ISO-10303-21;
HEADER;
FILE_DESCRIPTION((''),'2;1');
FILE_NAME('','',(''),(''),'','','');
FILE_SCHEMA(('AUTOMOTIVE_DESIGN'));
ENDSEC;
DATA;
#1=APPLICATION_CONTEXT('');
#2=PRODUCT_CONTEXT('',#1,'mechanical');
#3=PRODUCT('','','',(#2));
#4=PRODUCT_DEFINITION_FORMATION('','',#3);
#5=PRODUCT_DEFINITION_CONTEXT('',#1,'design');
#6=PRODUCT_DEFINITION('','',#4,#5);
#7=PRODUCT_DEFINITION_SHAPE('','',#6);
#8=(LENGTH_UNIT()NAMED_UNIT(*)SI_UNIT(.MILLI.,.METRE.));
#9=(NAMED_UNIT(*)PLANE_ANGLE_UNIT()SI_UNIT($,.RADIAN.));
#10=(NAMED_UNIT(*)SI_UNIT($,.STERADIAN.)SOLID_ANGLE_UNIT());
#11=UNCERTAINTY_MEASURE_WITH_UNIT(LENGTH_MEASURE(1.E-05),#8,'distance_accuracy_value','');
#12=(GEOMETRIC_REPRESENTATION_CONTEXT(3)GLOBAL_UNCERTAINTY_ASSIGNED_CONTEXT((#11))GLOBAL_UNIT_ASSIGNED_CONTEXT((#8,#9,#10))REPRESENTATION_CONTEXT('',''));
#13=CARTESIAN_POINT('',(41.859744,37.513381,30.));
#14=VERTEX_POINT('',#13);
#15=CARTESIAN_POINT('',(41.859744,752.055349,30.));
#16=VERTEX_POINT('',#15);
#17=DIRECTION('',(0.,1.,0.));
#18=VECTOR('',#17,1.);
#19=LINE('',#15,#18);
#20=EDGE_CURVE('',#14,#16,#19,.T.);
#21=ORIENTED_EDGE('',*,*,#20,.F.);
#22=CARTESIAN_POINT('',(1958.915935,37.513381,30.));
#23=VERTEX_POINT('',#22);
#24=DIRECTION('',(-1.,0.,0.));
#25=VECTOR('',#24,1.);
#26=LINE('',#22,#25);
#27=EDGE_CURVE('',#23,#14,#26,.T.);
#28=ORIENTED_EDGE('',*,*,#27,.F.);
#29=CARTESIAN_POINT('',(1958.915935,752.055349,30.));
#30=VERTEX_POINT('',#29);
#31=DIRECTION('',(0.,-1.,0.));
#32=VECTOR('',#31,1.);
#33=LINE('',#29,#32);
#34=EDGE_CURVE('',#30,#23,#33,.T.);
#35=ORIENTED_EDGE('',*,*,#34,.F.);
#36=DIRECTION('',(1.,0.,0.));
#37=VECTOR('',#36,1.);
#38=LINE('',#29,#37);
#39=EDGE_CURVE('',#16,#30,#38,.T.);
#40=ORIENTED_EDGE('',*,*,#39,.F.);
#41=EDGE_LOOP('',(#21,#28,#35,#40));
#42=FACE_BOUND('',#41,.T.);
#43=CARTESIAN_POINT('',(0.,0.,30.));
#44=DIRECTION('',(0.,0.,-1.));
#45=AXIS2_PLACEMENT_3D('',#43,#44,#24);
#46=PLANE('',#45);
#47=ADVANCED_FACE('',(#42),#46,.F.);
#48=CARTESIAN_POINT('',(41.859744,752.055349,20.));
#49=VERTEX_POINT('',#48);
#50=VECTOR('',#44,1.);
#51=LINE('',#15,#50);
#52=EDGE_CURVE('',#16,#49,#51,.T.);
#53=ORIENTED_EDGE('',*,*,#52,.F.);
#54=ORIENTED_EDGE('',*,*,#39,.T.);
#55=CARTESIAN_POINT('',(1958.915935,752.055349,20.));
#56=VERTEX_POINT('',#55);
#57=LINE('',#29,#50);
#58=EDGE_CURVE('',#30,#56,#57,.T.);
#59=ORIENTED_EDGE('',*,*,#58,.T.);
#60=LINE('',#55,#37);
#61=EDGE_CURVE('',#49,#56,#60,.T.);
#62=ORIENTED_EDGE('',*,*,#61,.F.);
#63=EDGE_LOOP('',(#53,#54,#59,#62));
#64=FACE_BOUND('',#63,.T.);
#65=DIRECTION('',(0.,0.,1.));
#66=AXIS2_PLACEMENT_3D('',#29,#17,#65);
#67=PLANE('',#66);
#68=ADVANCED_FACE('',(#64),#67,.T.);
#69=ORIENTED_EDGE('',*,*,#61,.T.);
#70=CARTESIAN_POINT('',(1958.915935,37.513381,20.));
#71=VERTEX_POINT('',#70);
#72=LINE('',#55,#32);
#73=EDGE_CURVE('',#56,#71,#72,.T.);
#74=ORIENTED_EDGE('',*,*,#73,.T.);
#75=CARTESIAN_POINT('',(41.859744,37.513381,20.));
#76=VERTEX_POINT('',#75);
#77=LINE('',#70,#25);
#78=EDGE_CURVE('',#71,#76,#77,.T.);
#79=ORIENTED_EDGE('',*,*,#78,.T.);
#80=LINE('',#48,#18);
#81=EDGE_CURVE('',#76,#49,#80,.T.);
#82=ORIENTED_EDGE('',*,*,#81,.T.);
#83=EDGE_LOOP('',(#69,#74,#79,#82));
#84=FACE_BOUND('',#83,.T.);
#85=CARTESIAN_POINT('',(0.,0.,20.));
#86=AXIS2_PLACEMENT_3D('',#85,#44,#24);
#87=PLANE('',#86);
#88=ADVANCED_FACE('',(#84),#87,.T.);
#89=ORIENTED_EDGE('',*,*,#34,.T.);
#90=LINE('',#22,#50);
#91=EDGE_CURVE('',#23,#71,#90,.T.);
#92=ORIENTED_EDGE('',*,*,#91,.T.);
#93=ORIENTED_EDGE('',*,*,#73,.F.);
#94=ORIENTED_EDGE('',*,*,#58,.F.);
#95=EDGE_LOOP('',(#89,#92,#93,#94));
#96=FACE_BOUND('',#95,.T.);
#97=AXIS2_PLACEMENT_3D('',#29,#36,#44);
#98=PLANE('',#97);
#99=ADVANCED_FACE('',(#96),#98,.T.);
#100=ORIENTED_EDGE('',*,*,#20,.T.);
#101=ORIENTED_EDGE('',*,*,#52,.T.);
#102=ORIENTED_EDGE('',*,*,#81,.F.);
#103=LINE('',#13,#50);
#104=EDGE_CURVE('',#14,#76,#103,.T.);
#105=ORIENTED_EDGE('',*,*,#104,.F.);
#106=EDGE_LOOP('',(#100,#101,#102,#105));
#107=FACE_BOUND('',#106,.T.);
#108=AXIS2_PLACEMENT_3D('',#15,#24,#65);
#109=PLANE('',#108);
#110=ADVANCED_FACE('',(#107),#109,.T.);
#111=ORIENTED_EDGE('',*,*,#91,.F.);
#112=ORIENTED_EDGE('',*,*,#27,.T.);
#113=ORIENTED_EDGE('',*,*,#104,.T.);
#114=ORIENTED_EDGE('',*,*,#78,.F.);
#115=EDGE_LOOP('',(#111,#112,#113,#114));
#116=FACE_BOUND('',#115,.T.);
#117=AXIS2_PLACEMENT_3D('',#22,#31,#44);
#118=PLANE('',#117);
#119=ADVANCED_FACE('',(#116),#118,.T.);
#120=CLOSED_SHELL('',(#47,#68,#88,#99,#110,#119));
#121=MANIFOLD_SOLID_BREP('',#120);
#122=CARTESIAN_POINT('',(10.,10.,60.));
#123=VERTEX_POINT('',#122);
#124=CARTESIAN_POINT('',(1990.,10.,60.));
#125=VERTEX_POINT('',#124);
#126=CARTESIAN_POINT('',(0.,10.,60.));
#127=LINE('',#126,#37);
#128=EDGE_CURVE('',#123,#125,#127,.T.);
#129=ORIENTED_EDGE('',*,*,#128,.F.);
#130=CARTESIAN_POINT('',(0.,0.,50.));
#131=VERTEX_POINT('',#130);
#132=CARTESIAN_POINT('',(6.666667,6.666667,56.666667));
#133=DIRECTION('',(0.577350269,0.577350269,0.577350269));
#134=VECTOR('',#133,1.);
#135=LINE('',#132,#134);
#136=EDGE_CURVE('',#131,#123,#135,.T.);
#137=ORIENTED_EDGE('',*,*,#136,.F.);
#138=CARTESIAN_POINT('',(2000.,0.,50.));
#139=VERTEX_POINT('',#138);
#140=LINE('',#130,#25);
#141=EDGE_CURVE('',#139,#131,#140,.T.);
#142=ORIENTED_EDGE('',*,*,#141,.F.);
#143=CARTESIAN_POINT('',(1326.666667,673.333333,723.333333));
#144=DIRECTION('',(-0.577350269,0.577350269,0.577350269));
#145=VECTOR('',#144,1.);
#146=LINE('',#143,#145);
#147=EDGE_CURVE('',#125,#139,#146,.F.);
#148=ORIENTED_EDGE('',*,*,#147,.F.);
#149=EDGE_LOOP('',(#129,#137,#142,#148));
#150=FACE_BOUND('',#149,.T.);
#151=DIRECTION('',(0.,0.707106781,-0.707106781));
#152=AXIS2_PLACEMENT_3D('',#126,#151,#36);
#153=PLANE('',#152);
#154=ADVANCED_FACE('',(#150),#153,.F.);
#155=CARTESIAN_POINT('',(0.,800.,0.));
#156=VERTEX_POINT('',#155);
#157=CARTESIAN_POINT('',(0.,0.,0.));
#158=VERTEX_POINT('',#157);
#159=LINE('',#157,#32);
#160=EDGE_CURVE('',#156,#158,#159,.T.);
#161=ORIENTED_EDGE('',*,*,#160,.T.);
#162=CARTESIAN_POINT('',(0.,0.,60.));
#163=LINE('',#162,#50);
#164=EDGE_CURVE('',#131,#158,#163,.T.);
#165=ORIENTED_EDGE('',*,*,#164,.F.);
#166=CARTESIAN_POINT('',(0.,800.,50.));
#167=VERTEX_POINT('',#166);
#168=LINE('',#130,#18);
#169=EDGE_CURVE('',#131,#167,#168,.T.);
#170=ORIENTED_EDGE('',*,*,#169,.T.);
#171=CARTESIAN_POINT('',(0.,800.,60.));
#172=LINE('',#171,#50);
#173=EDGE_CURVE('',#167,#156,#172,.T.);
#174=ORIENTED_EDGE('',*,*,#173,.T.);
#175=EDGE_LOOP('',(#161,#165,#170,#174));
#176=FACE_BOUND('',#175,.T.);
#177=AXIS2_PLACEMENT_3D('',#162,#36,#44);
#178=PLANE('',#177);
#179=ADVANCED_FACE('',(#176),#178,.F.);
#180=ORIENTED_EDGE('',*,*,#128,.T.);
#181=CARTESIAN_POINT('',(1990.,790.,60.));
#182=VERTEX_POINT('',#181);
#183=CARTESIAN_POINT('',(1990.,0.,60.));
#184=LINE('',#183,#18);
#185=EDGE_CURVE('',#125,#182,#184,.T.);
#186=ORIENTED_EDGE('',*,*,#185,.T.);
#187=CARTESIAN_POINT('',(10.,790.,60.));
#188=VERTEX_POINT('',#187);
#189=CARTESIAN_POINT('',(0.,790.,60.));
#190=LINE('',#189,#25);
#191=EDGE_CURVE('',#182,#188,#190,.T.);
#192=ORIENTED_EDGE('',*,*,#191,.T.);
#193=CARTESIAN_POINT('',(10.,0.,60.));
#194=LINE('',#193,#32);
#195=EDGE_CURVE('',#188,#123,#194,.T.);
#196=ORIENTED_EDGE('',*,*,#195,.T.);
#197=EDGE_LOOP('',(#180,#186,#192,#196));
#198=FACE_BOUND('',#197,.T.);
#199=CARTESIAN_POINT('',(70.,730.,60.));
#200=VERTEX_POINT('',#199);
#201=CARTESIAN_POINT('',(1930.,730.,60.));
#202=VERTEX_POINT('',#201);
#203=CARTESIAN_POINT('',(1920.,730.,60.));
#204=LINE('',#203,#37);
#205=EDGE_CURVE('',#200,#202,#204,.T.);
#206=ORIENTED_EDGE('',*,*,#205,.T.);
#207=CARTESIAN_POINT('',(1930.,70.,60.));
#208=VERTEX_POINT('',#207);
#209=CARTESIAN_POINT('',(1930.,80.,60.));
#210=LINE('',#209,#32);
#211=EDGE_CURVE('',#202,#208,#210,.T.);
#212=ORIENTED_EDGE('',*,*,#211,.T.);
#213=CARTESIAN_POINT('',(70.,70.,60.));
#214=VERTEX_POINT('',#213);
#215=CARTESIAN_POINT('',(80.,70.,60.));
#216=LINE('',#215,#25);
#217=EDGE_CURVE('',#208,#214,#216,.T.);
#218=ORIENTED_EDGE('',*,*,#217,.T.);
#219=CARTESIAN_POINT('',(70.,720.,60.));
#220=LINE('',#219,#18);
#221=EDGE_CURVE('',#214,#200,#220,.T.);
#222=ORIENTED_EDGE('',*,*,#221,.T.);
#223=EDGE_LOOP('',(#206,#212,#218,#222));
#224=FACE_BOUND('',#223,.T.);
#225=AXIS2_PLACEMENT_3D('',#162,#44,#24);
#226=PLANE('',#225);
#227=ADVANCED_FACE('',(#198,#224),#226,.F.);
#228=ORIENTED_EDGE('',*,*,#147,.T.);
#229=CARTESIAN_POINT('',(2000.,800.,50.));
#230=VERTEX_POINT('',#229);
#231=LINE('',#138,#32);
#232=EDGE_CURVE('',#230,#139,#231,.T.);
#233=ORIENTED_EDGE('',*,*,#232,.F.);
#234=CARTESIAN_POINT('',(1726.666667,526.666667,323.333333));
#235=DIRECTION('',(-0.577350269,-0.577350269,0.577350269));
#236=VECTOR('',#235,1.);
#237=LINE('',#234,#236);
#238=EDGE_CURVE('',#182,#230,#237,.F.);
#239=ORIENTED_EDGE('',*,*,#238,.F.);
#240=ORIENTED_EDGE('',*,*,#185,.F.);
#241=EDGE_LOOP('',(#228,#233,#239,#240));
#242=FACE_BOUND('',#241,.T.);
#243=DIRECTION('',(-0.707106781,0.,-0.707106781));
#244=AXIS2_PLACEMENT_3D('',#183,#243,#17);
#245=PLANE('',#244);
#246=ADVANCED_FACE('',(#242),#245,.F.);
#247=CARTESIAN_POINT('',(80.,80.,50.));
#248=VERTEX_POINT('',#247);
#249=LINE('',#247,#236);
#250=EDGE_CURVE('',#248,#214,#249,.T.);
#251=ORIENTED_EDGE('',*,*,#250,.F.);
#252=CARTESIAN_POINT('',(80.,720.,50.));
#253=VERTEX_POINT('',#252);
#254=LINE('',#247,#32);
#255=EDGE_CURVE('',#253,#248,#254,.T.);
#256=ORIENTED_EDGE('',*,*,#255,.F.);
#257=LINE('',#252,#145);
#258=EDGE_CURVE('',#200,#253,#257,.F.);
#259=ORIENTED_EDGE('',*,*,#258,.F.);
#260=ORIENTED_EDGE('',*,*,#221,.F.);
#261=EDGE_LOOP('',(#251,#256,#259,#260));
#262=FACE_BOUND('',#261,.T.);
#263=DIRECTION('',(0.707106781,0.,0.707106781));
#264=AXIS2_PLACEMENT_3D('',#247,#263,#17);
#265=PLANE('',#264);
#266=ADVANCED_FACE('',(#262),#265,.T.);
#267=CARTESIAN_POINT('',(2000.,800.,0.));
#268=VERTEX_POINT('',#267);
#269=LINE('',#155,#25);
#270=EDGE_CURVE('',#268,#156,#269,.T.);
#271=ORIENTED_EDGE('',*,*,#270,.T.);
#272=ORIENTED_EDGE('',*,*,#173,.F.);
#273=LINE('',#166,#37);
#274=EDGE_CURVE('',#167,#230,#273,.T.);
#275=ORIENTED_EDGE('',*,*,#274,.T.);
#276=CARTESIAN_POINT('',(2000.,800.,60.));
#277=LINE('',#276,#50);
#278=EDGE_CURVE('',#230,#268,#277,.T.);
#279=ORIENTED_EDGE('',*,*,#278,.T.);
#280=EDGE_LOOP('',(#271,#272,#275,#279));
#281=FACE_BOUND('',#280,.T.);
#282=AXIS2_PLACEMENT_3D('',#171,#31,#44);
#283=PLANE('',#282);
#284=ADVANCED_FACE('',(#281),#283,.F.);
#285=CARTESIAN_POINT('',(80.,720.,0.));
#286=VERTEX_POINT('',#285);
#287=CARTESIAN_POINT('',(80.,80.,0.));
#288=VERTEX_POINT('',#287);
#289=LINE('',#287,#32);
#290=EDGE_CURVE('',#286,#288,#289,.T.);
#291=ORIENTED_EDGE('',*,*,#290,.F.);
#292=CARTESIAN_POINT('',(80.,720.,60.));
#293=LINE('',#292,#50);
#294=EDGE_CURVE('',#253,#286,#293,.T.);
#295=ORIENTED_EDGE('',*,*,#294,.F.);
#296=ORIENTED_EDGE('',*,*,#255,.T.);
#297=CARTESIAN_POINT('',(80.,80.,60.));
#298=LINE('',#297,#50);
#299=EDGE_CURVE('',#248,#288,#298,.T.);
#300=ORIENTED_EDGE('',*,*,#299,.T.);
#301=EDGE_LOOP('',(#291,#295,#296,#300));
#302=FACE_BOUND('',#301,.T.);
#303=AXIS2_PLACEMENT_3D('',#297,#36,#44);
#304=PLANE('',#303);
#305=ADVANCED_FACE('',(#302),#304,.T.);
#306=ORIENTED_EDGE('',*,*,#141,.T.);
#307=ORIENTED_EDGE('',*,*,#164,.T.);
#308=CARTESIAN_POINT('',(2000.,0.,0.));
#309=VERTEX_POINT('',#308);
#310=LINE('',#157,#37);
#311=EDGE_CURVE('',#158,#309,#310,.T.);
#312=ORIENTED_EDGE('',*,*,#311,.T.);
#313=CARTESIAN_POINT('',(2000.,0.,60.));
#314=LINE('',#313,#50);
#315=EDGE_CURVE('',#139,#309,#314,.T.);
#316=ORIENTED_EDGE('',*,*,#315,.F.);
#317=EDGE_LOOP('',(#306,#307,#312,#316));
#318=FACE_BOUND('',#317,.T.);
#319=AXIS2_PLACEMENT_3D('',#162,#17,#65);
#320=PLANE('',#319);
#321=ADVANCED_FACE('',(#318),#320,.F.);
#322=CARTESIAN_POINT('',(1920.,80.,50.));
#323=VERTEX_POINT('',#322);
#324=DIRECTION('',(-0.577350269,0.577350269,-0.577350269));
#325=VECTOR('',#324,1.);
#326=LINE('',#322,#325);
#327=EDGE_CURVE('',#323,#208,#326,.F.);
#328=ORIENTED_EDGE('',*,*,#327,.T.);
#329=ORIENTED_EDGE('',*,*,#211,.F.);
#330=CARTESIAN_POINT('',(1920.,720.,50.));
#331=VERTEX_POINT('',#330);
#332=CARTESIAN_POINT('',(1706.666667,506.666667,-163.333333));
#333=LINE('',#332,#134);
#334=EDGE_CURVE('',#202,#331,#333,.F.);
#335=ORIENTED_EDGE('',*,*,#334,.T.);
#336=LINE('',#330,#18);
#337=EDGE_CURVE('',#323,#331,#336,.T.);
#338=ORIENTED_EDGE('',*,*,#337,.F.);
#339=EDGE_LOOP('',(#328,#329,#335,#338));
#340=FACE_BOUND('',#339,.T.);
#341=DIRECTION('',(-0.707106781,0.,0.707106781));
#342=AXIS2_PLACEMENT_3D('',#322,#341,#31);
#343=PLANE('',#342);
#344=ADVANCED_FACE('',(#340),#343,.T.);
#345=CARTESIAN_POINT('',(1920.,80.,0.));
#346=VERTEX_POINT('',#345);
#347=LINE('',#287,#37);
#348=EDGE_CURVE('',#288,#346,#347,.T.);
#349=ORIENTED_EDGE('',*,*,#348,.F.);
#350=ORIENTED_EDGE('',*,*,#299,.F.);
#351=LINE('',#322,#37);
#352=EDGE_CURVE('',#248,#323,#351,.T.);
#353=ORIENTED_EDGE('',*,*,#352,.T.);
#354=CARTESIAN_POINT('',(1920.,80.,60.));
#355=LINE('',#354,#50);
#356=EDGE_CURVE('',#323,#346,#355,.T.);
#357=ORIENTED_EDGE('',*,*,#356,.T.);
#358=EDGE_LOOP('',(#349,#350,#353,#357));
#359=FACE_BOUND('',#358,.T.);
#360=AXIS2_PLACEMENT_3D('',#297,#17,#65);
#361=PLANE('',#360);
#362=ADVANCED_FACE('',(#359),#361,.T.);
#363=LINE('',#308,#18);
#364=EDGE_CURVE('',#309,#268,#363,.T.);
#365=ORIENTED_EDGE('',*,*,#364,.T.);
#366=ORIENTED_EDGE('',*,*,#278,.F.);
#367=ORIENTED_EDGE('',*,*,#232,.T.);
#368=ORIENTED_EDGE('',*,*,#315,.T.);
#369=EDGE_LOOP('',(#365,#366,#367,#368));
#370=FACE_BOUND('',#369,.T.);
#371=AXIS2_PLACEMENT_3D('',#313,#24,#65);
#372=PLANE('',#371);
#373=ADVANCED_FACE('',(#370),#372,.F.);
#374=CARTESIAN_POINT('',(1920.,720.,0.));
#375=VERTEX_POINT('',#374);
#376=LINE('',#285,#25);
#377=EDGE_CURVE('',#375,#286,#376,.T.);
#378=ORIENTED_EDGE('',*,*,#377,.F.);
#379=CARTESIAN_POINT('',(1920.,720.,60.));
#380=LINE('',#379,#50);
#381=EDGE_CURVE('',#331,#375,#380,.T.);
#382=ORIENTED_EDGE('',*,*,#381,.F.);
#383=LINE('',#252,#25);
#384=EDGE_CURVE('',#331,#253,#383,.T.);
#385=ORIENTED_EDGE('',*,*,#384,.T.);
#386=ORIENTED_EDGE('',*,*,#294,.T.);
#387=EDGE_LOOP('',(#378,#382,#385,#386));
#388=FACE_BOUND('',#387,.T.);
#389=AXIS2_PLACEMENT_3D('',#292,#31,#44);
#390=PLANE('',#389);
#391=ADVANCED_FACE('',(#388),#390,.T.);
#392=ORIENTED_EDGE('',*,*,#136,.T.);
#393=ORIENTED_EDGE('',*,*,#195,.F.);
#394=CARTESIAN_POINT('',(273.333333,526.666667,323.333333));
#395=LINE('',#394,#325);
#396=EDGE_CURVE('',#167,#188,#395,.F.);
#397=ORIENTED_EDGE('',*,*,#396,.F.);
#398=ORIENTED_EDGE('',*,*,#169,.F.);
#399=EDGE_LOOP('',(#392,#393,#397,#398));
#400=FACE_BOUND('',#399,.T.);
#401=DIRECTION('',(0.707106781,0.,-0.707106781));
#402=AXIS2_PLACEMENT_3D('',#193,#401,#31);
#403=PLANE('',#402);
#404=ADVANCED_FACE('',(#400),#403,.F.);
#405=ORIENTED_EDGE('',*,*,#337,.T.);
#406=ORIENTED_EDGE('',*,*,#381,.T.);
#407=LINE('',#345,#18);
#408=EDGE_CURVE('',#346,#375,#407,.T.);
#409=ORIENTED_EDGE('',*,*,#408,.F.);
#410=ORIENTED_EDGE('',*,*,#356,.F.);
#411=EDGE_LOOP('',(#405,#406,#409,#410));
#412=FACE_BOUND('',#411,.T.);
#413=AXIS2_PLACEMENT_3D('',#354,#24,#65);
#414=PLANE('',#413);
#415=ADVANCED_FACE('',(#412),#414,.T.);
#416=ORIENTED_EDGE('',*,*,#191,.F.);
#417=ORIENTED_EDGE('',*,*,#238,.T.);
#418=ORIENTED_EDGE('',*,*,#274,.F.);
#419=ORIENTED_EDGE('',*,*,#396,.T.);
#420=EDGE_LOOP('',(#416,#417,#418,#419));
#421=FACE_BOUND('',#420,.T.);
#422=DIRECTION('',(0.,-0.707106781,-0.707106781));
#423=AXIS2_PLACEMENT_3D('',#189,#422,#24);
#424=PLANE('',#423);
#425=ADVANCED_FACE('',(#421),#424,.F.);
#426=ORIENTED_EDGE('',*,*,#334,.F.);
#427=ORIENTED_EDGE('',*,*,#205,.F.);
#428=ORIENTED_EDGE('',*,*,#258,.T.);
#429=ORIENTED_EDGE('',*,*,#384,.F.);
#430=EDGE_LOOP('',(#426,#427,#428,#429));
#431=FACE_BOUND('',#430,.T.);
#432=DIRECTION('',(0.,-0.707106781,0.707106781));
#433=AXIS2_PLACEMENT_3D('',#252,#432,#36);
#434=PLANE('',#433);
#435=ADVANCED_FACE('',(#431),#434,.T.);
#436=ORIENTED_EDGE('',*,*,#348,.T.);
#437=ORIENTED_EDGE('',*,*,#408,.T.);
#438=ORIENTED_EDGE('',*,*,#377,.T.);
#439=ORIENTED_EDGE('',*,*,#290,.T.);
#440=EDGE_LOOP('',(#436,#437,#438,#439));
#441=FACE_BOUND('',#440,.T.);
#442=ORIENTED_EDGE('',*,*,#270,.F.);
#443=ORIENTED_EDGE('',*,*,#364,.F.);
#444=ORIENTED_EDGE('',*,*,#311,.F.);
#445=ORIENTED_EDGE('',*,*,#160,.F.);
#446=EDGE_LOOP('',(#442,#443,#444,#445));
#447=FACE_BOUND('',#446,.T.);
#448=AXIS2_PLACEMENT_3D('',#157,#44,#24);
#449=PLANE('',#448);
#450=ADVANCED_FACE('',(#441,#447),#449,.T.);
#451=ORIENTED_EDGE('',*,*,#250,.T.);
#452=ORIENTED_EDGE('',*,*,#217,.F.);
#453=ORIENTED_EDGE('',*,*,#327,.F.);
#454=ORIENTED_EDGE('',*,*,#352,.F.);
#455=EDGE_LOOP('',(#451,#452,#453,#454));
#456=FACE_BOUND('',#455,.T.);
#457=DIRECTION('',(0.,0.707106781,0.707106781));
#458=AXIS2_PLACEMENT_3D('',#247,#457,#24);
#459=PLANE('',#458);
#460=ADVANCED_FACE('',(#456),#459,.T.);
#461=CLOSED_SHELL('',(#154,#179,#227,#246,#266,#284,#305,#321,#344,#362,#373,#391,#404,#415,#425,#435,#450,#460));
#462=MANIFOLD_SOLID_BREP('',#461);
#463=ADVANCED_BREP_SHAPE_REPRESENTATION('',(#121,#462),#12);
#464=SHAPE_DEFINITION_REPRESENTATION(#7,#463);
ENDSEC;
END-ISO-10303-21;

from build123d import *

# Parameters (mm, degrees)
SKETCH_1_W      = 2000
SKETCH_1_H      = 800
SKETCH_1_W_2    = 1840
SKETCH_1_H_2    = 640
EXTRUDE_1_DEPTH = 60
CHAMFER_1_SIZE  = 10
EXTRUDE_START   = -20
SKETCH_2_W      = 1917.056190877
SKETCH_2_H      = 714.541967462
EXTRUDE_2_DEPTH = 10


with BuildPart() as part:
    # Эскиз1 → Бобышка-Вытянуть1 (new body)
    with BuildSketch(Plane.XY):
        with Locations((1000, 400)):
            Rectangle(SKETCH_1_W, SKETCH_1_H)
        with Locations((1000, 400)):
            Rectangle(SKETCH_1_W_2, SKETCH_1_H_2, mode=Mode.SUBTRACT)
    extrude(amount=EXTRUDE_1_DEPTH)

    # Фаска1
    chamfer_1_edges = [part.edges().sort_by_distance(p)[0] for p in [
        (2000, 400, 60),
        (1000, 80, 60),
        (1000, 800, 60),
        (1920, 400, 60),
        (1000, 720, 60),
        (80, 400, 60),
        (0, 400, 60),
        (1000, 0, 60),
    ]]
    chamfer(chamfer_1_edges, length=CHAMFER_1_SIZE)


with BuildPart() as body_2:
    # Эскиз2 → Бобышка-Вытянуть2 (new body)
    with BuildSketch(Plane(origin=(0, 0, 0), x_dir=(-1, 0, 0), z_dir=(0, 0, -1)).offset(EXTRUDE_START)):
        with Locations((-1000.387839242, 394.784365201)):
            Rectangle(SKETCH_2_W, SKETCH_2_H)
    extrude(amount=-EXTRUDE_2_DEPTH)


solid = Compound([part.part, body_2.part])
